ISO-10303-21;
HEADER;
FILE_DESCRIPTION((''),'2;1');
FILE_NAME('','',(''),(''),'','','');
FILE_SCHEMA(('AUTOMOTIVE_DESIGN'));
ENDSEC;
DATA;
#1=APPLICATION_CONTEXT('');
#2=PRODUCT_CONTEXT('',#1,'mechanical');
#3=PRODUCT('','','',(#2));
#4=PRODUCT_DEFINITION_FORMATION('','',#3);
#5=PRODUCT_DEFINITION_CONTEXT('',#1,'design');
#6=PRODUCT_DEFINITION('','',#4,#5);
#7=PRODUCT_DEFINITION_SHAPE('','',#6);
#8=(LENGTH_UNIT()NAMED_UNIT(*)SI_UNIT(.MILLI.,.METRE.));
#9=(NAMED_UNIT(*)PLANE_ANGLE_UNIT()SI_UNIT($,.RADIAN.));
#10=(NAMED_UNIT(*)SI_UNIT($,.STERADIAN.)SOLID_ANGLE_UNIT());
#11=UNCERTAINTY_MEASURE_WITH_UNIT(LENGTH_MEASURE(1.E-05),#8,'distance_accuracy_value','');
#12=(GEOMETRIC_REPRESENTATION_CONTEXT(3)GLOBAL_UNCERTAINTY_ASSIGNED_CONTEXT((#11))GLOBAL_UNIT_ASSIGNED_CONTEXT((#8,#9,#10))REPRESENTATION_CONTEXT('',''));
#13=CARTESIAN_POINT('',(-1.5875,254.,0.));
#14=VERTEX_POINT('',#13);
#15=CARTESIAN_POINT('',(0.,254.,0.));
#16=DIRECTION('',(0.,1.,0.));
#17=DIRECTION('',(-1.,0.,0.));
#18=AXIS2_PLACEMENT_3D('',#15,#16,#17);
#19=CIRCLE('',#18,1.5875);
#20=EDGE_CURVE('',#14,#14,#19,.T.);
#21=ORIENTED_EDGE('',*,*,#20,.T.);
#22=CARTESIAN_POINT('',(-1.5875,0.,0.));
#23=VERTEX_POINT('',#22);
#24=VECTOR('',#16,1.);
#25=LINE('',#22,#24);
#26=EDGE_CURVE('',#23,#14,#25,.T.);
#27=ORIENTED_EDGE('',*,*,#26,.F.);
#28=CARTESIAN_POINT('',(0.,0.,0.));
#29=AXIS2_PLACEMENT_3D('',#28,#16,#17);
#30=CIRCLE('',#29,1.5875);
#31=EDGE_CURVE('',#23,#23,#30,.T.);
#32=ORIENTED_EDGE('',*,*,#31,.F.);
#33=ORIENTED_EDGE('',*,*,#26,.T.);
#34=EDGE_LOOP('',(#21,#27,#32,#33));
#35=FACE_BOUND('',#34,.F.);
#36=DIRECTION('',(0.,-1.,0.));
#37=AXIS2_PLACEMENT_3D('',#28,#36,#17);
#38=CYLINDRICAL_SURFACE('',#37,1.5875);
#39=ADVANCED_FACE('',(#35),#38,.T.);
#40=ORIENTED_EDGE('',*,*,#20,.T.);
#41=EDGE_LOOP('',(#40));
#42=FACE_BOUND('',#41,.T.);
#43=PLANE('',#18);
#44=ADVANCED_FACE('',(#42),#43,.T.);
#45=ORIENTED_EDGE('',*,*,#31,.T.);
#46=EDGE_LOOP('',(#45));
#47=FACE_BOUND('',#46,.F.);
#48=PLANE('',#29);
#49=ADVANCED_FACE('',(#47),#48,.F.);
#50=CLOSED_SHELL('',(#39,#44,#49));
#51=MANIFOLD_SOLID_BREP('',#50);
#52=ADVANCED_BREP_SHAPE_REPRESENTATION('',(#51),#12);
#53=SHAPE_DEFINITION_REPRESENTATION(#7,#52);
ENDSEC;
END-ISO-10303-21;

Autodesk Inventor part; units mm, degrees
ref_plane "YZ Plane" through (0, 0, 0) normal (1, 0, 0) x (0, 1, 0)
ref_plane "XZ Plane" through (0, 0, 0) normal (0, 1, 0) x (-1, 0, 0)
ref_plane "XY Plane" through (0, 0, 0) normal (0, 0, 1) x (1, 0, 0)
sketch "Sketch1" plane through (0, 0, 0) normal (0, 1, 0) x (-1, 0, 0)
  circle A0 centre (0, 0) radius 1.5875
  dimension "d0" = 3.175
extrude "Extrusion1" add sketch "Sketch1" along normal blind 254
properties part number "cable"
